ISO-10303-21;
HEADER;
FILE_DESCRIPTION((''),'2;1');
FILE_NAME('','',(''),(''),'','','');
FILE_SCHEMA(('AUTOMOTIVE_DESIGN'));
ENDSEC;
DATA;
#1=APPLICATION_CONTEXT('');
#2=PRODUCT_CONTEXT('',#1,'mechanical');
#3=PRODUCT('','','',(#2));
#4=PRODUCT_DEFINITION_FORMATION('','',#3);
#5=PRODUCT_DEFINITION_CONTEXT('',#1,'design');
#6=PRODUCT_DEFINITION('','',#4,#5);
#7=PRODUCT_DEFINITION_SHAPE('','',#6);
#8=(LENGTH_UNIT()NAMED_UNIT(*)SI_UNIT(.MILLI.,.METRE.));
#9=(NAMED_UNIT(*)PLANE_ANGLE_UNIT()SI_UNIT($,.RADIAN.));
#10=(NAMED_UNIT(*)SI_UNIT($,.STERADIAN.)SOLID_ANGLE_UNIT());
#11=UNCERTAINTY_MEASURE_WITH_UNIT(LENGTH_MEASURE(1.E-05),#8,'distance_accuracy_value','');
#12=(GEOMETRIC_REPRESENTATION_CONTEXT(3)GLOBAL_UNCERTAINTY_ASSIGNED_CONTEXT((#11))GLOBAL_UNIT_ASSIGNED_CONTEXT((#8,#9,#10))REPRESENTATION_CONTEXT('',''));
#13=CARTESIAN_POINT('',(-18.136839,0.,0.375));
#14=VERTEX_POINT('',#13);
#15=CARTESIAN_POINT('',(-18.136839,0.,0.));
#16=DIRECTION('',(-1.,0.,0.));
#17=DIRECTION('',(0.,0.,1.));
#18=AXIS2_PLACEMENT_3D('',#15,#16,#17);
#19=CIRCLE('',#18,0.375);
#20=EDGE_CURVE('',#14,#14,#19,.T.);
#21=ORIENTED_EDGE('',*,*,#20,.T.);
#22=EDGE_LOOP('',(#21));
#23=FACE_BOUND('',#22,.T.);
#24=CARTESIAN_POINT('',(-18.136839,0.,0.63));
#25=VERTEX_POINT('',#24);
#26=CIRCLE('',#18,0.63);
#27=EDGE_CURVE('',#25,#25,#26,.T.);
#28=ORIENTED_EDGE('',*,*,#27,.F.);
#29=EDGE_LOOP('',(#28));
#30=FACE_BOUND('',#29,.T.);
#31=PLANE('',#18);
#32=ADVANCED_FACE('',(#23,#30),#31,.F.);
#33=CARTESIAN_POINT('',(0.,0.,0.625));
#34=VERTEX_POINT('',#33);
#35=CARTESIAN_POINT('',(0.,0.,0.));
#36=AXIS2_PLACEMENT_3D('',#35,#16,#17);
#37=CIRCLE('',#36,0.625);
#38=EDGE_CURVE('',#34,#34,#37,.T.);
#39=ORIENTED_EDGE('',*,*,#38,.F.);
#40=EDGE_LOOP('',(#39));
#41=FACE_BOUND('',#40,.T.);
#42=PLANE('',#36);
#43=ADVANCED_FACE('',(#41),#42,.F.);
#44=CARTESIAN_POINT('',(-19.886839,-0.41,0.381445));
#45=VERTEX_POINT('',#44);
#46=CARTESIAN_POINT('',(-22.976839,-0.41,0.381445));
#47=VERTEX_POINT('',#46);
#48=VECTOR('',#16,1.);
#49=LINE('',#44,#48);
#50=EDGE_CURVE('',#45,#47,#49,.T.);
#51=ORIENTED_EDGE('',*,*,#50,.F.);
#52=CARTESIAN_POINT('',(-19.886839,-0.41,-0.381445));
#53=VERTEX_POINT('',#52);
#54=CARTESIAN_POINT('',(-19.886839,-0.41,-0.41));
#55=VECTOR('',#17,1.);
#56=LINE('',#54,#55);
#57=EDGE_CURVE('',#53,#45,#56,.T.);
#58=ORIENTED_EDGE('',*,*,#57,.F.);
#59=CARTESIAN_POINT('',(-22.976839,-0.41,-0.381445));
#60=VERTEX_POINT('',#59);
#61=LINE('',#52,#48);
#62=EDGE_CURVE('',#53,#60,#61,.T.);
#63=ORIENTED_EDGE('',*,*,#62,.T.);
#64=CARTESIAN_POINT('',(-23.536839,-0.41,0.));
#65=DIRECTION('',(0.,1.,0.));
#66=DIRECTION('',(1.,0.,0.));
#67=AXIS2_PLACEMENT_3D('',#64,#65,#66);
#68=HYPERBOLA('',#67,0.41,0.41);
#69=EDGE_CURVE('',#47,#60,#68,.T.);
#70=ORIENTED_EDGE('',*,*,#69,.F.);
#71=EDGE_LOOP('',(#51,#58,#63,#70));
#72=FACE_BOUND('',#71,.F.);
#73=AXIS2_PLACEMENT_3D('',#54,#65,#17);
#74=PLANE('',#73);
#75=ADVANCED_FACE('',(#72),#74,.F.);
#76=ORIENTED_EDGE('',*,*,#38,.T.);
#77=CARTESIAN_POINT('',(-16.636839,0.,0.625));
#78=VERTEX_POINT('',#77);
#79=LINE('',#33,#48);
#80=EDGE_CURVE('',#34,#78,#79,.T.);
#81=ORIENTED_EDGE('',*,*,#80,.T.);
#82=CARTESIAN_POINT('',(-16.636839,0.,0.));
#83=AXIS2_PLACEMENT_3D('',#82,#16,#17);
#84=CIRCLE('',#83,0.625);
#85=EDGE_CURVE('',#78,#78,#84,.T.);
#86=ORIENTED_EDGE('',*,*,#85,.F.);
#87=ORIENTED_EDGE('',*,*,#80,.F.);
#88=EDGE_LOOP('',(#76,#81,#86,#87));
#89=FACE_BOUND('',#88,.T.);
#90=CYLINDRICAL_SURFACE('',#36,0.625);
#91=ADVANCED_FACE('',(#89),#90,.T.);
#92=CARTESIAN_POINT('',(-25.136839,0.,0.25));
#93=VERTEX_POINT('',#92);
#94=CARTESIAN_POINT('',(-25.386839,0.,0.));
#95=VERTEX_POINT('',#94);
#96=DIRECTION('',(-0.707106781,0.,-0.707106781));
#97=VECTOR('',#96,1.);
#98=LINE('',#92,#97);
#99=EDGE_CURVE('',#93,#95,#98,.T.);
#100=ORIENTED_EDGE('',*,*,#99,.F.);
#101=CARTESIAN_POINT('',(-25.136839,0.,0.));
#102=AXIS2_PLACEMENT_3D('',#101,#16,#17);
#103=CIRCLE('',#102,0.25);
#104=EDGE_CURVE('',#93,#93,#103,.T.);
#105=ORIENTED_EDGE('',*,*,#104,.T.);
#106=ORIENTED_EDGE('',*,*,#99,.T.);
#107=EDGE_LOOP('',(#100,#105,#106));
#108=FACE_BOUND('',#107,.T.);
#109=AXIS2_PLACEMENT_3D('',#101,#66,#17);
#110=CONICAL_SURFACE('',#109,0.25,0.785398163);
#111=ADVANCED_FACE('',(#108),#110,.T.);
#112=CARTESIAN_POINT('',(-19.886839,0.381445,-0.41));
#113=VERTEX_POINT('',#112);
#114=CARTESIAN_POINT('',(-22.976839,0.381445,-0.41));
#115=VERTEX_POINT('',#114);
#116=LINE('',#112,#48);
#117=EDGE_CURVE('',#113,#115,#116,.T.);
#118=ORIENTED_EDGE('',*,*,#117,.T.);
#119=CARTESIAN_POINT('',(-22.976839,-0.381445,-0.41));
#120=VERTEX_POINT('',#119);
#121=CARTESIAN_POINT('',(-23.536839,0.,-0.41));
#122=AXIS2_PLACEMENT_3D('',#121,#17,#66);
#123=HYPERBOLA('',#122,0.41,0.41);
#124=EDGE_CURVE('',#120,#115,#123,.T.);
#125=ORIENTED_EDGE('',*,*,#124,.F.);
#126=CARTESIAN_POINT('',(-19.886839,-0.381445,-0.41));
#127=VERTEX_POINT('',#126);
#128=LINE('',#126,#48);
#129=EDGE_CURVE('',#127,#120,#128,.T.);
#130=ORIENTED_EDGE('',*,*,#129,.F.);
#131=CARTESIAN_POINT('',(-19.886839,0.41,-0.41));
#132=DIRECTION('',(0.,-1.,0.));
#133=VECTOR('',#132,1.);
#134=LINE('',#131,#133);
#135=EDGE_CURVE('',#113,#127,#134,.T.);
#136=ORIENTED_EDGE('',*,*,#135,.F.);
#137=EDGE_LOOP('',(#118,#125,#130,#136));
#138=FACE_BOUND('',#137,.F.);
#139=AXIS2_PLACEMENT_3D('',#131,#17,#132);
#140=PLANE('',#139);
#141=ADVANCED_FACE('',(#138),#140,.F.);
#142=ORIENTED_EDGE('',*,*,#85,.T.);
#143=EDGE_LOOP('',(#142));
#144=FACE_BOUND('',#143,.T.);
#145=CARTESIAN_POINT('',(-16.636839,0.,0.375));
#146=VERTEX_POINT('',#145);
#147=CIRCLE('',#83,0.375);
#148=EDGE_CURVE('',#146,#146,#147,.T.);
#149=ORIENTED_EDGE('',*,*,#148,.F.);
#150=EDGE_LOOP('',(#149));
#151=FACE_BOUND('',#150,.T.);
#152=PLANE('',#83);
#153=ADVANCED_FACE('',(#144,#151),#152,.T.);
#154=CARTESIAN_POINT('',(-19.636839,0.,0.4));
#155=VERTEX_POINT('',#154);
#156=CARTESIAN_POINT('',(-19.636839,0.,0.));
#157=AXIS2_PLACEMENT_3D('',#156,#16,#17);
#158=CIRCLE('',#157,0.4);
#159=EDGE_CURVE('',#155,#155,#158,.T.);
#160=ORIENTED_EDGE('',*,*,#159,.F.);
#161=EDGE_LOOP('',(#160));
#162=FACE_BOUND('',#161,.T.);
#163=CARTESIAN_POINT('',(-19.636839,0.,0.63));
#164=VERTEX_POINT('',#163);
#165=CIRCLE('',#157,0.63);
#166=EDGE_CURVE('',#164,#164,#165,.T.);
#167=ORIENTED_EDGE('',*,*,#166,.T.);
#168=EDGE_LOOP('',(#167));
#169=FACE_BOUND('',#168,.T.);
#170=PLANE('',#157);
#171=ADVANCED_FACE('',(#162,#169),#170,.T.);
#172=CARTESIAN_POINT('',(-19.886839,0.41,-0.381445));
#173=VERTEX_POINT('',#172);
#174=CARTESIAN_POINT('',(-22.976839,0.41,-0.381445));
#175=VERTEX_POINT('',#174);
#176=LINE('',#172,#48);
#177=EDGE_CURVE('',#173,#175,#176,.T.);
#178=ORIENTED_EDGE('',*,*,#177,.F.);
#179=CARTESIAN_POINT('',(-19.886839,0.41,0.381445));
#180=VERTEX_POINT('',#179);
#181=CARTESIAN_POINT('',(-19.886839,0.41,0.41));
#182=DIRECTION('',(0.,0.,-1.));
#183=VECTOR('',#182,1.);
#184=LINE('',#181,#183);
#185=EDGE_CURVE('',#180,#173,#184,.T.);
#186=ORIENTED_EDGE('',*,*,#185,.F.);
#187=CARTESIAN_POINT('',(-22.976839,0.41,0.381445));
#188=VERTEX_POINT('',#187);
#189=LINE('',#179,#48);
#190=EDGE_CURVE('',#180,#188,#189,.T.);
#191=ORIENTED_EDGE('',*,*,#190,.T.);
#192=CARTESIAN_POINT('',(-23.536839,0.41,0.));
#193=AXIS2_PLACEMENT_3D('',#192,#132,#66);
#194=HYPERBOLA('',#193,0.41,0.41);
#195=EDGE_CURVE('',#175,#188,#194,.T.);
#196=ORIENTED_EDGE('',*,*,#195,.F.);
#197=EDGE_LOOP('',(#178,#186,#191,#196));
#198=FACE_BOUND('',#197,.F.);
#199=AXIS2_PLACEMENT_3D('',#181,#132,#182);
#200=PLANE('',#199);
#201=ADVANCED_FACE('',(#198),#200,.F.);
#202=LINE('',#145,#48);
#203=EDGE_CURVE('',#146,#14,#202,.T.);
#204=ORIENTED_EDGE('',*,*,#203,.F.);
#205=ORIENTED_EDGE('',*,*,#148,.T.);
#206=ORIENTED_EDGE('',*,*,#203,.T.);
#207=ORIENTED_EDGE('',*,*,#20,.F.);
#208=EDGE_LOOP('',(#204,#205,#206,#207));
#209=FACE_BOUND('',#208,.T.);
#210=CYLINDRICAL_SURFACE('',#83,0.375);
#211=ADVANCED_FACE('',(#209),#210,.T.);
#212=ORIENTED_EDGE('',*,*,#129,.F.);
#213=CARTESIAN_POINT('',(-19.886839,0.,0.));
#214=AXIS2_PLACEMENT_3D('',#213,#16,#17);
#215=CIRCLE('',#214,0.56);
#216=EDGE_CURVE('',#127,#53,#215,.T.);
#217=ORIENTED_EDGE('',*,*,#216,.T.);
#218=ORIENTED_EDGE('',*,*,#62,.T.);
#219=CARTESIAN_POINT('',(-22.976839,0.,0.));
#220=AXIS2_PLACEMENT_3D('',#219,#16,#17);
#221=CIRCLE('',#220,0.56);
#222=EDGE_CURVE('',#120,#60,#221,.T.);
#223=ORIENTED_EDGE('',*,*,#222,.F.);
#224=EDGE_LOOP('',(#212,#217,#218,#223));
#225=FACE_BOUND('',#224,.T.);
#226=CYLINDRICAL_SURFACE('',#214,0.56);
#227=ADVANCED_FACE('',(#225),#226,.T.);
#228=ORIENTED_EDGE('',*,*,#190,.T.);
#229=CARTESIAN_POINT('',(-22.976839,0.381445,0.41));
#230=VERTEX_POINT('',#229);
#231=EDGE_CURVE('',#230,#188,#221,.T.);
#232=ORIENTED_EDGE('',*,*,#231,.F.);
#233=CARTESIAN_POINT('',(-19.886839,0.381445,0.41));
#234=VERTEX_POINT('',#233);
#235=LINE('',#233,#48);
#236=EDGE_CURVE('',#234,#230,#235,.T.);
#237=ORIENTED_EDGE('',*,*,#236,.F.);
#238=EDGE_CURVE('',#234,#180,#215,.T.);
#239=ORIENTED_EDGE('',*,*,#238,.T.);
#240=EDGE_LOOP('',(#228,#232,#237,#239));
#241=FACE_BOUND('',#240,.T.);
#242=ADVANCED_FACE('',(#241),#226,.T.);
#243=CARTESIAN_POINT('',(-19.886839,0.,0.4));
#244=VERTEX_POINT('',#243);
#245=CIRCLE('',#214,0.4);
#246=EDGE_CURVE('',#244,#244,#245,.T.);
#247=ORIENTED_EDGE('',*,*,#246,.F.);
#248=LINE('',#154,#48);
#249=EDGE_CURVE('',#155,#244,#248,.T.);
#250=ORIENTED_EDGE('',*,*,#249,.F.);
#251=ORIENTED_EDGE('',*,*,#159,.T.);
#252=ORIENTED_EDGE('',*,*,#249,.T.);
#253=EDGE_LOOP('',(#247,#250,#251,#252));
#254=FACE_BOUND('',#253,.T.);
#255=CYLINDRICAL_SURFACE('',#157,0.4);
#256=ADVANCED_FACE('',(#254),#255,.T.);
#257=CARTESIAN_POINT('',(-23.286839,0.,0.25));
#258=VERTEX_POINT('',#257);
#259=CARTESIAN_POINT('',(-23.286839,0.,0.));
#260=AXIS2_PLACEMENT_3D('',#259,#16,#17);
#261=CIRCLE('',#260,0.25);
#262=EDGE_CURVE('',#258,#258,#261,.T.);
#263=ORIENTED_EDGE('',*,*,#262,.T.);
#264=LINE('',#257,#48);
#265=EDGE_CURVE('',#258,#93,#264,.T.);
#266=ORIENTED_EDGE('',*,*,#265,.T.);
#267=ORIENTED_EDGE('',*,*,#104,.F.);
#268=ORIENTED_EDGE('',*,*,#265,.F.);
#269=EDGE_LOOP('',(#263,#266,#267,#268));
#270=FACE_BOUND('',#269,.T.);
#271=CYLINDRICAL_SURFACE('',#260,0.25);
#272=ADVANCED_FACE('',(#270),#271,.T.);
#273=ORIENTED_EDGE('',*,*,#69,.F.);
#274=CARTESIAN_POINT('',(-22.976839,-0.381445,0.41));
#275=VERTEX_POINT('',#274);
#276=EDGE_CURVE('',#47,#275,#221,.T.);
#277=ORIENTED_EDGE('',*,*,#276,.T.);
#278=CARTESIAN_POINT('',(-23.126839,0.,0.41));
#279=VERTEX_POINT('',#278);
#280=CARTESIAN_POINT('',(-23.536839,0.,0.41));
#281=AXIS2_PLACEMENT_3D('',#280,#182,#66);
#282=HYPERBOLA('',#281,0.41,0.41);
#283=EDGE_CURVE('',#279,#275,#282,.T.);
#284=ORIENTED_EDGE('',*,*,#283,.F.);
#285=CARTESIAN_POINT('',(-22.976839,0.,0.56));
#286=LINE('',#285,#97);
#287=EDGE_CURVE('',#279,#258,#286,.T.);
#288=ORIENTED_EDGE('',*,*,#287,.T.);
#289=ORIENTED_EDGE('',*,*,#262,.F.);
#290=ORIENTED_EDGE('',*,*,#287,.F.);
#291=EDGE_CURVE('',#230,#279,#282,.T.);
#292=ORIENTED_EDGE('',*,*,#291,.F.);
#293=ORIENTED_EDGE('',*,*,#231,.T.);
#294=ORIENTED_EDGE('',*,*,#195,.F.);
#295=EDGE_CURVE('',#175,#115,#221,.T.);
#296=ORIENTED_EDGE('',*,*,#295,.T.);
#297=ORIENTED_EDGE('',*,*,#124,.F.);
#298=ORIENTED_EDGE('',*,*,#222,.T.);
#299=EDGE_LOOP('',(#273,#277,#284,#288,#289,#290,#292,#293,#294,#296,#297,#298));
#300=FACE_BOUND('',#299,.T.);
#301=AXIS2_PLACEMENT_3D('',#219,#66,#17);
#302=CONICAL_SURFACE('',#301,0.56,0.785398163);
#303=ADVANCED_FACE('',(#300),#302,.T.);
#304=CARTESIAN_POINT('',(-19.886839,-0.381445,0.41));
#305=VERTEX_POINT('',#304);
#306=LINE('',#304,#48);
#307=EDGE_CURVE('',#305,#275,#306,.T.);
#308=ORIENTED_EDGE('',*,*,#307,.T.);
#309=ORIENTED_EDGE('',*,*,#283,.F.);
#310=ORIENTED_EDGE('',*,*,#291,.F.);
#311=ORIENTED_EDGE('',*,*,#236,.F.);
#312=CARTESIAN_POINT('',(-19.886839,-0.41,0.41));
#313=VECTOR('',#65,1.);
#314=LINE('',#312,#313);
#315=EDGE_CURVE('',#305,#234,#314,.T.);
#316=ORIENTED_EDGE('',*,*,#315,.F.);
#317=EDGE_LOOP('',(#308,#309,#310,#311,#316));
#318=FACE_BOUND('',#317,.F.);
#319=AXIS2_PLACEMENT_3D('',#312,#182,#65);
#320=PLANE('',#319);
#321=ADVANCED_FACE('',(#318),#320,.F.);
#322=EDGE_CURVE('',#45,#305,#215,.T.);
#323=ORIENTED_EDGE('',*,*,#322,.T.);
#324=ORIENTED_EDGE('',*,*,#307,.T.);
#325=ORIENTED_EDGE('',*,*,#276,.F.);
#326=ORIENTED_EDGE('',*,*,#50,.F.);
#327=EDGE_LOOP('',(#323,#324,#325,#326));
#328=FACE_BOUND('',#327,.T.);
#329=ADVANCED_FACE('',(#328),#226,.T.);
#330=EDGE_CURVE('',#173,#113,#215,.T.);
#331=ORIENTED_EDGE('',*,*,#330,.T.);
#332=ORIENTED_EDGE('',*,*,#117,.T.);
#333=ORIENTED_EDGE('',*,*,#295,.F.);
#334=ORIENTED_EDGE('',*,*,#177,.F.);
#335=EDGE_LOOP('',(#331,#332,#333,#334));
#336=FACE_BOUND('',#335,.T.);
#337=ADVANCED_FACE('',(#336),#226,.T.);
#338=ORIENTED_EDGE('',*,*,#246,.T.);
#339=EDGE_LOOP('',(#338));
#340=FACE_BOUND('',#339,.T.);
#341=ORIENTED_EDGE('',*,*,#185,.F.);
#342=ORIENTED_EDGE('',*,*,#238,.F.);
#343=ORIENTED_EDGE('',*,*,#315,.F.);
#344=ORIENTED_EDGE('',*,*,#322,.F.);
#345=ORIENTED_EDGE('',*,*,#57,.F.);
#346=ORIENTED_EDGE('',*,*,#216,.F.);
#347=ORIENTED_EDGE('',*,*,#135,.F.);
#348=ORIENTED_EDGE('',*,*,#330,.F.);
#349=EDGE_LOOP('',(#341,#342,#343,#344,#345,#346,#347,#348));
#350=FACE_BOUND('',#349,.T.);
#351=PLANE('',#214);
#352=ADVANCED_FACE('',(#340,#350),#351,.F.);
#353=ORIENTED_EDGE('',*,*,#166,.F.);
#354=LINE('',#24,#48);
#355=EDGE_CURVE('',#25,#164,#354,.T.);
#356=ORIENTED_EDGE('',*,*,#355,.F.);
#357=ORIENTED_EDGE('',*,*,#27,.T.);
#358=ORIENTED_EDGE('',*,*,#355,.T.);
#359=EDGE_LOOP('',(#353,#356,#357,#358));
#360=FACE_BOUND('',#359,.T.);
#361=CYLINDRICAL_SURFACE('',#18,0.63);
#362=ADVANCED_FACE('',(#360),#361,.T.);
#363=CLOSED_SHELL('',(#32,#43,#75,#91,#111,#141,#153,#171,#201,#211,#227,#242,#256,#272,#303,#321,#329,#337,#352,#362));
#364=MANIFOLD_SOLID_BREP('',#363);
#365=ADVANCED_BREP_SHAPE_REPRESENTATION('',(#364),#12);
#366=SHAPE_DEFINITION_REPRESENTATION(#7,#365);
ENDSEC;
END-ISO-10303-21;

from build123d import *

# Parameters (mm, degrees)
F2_R     = 0.994753
F3_DEPTH = 5.501


with BuildPart() as f1:
    # F0 (on Front) → F1 (revolve)
    with BuildSketch(Plane.XZ):
        Polygon((-25.386839, 0), (0, 0), (0, 0.625), (-16.636839, 0.625), (-16.636839, 0.375), (-18.136839, 0.375), (-18.136839, 0.63), (-19.636839, 0.63), (-19.636839, 0.4), (-19.886839, 0.4), (-19.886839, 0.56), (-22.976839, 0.56), (-23.286839, 0.25), (-25.136839, 0.25), align=None)
    revolve(axis=Axis((-12.69342, 0, 0), (-1, 0, 0)))

    # F2 (on face) → F3 (cut, through all)
    with BuildSketch(Plane.YZ.offset(-19.886839)):
        Circle(F2_R)
        Polygon((-0.41, 0.41), (0, 0.41), (0.41, 0.41), (0.41, 0), (0.41, -0.41), (0, -0.41), (-0.41, -0.41), (-0.41, 0), align=None, mode=Mode.SUBTRACT)
    extrude(amount=-F3_DEPTH, mode=Mode.SUBTRACT)


solid = f1.part
